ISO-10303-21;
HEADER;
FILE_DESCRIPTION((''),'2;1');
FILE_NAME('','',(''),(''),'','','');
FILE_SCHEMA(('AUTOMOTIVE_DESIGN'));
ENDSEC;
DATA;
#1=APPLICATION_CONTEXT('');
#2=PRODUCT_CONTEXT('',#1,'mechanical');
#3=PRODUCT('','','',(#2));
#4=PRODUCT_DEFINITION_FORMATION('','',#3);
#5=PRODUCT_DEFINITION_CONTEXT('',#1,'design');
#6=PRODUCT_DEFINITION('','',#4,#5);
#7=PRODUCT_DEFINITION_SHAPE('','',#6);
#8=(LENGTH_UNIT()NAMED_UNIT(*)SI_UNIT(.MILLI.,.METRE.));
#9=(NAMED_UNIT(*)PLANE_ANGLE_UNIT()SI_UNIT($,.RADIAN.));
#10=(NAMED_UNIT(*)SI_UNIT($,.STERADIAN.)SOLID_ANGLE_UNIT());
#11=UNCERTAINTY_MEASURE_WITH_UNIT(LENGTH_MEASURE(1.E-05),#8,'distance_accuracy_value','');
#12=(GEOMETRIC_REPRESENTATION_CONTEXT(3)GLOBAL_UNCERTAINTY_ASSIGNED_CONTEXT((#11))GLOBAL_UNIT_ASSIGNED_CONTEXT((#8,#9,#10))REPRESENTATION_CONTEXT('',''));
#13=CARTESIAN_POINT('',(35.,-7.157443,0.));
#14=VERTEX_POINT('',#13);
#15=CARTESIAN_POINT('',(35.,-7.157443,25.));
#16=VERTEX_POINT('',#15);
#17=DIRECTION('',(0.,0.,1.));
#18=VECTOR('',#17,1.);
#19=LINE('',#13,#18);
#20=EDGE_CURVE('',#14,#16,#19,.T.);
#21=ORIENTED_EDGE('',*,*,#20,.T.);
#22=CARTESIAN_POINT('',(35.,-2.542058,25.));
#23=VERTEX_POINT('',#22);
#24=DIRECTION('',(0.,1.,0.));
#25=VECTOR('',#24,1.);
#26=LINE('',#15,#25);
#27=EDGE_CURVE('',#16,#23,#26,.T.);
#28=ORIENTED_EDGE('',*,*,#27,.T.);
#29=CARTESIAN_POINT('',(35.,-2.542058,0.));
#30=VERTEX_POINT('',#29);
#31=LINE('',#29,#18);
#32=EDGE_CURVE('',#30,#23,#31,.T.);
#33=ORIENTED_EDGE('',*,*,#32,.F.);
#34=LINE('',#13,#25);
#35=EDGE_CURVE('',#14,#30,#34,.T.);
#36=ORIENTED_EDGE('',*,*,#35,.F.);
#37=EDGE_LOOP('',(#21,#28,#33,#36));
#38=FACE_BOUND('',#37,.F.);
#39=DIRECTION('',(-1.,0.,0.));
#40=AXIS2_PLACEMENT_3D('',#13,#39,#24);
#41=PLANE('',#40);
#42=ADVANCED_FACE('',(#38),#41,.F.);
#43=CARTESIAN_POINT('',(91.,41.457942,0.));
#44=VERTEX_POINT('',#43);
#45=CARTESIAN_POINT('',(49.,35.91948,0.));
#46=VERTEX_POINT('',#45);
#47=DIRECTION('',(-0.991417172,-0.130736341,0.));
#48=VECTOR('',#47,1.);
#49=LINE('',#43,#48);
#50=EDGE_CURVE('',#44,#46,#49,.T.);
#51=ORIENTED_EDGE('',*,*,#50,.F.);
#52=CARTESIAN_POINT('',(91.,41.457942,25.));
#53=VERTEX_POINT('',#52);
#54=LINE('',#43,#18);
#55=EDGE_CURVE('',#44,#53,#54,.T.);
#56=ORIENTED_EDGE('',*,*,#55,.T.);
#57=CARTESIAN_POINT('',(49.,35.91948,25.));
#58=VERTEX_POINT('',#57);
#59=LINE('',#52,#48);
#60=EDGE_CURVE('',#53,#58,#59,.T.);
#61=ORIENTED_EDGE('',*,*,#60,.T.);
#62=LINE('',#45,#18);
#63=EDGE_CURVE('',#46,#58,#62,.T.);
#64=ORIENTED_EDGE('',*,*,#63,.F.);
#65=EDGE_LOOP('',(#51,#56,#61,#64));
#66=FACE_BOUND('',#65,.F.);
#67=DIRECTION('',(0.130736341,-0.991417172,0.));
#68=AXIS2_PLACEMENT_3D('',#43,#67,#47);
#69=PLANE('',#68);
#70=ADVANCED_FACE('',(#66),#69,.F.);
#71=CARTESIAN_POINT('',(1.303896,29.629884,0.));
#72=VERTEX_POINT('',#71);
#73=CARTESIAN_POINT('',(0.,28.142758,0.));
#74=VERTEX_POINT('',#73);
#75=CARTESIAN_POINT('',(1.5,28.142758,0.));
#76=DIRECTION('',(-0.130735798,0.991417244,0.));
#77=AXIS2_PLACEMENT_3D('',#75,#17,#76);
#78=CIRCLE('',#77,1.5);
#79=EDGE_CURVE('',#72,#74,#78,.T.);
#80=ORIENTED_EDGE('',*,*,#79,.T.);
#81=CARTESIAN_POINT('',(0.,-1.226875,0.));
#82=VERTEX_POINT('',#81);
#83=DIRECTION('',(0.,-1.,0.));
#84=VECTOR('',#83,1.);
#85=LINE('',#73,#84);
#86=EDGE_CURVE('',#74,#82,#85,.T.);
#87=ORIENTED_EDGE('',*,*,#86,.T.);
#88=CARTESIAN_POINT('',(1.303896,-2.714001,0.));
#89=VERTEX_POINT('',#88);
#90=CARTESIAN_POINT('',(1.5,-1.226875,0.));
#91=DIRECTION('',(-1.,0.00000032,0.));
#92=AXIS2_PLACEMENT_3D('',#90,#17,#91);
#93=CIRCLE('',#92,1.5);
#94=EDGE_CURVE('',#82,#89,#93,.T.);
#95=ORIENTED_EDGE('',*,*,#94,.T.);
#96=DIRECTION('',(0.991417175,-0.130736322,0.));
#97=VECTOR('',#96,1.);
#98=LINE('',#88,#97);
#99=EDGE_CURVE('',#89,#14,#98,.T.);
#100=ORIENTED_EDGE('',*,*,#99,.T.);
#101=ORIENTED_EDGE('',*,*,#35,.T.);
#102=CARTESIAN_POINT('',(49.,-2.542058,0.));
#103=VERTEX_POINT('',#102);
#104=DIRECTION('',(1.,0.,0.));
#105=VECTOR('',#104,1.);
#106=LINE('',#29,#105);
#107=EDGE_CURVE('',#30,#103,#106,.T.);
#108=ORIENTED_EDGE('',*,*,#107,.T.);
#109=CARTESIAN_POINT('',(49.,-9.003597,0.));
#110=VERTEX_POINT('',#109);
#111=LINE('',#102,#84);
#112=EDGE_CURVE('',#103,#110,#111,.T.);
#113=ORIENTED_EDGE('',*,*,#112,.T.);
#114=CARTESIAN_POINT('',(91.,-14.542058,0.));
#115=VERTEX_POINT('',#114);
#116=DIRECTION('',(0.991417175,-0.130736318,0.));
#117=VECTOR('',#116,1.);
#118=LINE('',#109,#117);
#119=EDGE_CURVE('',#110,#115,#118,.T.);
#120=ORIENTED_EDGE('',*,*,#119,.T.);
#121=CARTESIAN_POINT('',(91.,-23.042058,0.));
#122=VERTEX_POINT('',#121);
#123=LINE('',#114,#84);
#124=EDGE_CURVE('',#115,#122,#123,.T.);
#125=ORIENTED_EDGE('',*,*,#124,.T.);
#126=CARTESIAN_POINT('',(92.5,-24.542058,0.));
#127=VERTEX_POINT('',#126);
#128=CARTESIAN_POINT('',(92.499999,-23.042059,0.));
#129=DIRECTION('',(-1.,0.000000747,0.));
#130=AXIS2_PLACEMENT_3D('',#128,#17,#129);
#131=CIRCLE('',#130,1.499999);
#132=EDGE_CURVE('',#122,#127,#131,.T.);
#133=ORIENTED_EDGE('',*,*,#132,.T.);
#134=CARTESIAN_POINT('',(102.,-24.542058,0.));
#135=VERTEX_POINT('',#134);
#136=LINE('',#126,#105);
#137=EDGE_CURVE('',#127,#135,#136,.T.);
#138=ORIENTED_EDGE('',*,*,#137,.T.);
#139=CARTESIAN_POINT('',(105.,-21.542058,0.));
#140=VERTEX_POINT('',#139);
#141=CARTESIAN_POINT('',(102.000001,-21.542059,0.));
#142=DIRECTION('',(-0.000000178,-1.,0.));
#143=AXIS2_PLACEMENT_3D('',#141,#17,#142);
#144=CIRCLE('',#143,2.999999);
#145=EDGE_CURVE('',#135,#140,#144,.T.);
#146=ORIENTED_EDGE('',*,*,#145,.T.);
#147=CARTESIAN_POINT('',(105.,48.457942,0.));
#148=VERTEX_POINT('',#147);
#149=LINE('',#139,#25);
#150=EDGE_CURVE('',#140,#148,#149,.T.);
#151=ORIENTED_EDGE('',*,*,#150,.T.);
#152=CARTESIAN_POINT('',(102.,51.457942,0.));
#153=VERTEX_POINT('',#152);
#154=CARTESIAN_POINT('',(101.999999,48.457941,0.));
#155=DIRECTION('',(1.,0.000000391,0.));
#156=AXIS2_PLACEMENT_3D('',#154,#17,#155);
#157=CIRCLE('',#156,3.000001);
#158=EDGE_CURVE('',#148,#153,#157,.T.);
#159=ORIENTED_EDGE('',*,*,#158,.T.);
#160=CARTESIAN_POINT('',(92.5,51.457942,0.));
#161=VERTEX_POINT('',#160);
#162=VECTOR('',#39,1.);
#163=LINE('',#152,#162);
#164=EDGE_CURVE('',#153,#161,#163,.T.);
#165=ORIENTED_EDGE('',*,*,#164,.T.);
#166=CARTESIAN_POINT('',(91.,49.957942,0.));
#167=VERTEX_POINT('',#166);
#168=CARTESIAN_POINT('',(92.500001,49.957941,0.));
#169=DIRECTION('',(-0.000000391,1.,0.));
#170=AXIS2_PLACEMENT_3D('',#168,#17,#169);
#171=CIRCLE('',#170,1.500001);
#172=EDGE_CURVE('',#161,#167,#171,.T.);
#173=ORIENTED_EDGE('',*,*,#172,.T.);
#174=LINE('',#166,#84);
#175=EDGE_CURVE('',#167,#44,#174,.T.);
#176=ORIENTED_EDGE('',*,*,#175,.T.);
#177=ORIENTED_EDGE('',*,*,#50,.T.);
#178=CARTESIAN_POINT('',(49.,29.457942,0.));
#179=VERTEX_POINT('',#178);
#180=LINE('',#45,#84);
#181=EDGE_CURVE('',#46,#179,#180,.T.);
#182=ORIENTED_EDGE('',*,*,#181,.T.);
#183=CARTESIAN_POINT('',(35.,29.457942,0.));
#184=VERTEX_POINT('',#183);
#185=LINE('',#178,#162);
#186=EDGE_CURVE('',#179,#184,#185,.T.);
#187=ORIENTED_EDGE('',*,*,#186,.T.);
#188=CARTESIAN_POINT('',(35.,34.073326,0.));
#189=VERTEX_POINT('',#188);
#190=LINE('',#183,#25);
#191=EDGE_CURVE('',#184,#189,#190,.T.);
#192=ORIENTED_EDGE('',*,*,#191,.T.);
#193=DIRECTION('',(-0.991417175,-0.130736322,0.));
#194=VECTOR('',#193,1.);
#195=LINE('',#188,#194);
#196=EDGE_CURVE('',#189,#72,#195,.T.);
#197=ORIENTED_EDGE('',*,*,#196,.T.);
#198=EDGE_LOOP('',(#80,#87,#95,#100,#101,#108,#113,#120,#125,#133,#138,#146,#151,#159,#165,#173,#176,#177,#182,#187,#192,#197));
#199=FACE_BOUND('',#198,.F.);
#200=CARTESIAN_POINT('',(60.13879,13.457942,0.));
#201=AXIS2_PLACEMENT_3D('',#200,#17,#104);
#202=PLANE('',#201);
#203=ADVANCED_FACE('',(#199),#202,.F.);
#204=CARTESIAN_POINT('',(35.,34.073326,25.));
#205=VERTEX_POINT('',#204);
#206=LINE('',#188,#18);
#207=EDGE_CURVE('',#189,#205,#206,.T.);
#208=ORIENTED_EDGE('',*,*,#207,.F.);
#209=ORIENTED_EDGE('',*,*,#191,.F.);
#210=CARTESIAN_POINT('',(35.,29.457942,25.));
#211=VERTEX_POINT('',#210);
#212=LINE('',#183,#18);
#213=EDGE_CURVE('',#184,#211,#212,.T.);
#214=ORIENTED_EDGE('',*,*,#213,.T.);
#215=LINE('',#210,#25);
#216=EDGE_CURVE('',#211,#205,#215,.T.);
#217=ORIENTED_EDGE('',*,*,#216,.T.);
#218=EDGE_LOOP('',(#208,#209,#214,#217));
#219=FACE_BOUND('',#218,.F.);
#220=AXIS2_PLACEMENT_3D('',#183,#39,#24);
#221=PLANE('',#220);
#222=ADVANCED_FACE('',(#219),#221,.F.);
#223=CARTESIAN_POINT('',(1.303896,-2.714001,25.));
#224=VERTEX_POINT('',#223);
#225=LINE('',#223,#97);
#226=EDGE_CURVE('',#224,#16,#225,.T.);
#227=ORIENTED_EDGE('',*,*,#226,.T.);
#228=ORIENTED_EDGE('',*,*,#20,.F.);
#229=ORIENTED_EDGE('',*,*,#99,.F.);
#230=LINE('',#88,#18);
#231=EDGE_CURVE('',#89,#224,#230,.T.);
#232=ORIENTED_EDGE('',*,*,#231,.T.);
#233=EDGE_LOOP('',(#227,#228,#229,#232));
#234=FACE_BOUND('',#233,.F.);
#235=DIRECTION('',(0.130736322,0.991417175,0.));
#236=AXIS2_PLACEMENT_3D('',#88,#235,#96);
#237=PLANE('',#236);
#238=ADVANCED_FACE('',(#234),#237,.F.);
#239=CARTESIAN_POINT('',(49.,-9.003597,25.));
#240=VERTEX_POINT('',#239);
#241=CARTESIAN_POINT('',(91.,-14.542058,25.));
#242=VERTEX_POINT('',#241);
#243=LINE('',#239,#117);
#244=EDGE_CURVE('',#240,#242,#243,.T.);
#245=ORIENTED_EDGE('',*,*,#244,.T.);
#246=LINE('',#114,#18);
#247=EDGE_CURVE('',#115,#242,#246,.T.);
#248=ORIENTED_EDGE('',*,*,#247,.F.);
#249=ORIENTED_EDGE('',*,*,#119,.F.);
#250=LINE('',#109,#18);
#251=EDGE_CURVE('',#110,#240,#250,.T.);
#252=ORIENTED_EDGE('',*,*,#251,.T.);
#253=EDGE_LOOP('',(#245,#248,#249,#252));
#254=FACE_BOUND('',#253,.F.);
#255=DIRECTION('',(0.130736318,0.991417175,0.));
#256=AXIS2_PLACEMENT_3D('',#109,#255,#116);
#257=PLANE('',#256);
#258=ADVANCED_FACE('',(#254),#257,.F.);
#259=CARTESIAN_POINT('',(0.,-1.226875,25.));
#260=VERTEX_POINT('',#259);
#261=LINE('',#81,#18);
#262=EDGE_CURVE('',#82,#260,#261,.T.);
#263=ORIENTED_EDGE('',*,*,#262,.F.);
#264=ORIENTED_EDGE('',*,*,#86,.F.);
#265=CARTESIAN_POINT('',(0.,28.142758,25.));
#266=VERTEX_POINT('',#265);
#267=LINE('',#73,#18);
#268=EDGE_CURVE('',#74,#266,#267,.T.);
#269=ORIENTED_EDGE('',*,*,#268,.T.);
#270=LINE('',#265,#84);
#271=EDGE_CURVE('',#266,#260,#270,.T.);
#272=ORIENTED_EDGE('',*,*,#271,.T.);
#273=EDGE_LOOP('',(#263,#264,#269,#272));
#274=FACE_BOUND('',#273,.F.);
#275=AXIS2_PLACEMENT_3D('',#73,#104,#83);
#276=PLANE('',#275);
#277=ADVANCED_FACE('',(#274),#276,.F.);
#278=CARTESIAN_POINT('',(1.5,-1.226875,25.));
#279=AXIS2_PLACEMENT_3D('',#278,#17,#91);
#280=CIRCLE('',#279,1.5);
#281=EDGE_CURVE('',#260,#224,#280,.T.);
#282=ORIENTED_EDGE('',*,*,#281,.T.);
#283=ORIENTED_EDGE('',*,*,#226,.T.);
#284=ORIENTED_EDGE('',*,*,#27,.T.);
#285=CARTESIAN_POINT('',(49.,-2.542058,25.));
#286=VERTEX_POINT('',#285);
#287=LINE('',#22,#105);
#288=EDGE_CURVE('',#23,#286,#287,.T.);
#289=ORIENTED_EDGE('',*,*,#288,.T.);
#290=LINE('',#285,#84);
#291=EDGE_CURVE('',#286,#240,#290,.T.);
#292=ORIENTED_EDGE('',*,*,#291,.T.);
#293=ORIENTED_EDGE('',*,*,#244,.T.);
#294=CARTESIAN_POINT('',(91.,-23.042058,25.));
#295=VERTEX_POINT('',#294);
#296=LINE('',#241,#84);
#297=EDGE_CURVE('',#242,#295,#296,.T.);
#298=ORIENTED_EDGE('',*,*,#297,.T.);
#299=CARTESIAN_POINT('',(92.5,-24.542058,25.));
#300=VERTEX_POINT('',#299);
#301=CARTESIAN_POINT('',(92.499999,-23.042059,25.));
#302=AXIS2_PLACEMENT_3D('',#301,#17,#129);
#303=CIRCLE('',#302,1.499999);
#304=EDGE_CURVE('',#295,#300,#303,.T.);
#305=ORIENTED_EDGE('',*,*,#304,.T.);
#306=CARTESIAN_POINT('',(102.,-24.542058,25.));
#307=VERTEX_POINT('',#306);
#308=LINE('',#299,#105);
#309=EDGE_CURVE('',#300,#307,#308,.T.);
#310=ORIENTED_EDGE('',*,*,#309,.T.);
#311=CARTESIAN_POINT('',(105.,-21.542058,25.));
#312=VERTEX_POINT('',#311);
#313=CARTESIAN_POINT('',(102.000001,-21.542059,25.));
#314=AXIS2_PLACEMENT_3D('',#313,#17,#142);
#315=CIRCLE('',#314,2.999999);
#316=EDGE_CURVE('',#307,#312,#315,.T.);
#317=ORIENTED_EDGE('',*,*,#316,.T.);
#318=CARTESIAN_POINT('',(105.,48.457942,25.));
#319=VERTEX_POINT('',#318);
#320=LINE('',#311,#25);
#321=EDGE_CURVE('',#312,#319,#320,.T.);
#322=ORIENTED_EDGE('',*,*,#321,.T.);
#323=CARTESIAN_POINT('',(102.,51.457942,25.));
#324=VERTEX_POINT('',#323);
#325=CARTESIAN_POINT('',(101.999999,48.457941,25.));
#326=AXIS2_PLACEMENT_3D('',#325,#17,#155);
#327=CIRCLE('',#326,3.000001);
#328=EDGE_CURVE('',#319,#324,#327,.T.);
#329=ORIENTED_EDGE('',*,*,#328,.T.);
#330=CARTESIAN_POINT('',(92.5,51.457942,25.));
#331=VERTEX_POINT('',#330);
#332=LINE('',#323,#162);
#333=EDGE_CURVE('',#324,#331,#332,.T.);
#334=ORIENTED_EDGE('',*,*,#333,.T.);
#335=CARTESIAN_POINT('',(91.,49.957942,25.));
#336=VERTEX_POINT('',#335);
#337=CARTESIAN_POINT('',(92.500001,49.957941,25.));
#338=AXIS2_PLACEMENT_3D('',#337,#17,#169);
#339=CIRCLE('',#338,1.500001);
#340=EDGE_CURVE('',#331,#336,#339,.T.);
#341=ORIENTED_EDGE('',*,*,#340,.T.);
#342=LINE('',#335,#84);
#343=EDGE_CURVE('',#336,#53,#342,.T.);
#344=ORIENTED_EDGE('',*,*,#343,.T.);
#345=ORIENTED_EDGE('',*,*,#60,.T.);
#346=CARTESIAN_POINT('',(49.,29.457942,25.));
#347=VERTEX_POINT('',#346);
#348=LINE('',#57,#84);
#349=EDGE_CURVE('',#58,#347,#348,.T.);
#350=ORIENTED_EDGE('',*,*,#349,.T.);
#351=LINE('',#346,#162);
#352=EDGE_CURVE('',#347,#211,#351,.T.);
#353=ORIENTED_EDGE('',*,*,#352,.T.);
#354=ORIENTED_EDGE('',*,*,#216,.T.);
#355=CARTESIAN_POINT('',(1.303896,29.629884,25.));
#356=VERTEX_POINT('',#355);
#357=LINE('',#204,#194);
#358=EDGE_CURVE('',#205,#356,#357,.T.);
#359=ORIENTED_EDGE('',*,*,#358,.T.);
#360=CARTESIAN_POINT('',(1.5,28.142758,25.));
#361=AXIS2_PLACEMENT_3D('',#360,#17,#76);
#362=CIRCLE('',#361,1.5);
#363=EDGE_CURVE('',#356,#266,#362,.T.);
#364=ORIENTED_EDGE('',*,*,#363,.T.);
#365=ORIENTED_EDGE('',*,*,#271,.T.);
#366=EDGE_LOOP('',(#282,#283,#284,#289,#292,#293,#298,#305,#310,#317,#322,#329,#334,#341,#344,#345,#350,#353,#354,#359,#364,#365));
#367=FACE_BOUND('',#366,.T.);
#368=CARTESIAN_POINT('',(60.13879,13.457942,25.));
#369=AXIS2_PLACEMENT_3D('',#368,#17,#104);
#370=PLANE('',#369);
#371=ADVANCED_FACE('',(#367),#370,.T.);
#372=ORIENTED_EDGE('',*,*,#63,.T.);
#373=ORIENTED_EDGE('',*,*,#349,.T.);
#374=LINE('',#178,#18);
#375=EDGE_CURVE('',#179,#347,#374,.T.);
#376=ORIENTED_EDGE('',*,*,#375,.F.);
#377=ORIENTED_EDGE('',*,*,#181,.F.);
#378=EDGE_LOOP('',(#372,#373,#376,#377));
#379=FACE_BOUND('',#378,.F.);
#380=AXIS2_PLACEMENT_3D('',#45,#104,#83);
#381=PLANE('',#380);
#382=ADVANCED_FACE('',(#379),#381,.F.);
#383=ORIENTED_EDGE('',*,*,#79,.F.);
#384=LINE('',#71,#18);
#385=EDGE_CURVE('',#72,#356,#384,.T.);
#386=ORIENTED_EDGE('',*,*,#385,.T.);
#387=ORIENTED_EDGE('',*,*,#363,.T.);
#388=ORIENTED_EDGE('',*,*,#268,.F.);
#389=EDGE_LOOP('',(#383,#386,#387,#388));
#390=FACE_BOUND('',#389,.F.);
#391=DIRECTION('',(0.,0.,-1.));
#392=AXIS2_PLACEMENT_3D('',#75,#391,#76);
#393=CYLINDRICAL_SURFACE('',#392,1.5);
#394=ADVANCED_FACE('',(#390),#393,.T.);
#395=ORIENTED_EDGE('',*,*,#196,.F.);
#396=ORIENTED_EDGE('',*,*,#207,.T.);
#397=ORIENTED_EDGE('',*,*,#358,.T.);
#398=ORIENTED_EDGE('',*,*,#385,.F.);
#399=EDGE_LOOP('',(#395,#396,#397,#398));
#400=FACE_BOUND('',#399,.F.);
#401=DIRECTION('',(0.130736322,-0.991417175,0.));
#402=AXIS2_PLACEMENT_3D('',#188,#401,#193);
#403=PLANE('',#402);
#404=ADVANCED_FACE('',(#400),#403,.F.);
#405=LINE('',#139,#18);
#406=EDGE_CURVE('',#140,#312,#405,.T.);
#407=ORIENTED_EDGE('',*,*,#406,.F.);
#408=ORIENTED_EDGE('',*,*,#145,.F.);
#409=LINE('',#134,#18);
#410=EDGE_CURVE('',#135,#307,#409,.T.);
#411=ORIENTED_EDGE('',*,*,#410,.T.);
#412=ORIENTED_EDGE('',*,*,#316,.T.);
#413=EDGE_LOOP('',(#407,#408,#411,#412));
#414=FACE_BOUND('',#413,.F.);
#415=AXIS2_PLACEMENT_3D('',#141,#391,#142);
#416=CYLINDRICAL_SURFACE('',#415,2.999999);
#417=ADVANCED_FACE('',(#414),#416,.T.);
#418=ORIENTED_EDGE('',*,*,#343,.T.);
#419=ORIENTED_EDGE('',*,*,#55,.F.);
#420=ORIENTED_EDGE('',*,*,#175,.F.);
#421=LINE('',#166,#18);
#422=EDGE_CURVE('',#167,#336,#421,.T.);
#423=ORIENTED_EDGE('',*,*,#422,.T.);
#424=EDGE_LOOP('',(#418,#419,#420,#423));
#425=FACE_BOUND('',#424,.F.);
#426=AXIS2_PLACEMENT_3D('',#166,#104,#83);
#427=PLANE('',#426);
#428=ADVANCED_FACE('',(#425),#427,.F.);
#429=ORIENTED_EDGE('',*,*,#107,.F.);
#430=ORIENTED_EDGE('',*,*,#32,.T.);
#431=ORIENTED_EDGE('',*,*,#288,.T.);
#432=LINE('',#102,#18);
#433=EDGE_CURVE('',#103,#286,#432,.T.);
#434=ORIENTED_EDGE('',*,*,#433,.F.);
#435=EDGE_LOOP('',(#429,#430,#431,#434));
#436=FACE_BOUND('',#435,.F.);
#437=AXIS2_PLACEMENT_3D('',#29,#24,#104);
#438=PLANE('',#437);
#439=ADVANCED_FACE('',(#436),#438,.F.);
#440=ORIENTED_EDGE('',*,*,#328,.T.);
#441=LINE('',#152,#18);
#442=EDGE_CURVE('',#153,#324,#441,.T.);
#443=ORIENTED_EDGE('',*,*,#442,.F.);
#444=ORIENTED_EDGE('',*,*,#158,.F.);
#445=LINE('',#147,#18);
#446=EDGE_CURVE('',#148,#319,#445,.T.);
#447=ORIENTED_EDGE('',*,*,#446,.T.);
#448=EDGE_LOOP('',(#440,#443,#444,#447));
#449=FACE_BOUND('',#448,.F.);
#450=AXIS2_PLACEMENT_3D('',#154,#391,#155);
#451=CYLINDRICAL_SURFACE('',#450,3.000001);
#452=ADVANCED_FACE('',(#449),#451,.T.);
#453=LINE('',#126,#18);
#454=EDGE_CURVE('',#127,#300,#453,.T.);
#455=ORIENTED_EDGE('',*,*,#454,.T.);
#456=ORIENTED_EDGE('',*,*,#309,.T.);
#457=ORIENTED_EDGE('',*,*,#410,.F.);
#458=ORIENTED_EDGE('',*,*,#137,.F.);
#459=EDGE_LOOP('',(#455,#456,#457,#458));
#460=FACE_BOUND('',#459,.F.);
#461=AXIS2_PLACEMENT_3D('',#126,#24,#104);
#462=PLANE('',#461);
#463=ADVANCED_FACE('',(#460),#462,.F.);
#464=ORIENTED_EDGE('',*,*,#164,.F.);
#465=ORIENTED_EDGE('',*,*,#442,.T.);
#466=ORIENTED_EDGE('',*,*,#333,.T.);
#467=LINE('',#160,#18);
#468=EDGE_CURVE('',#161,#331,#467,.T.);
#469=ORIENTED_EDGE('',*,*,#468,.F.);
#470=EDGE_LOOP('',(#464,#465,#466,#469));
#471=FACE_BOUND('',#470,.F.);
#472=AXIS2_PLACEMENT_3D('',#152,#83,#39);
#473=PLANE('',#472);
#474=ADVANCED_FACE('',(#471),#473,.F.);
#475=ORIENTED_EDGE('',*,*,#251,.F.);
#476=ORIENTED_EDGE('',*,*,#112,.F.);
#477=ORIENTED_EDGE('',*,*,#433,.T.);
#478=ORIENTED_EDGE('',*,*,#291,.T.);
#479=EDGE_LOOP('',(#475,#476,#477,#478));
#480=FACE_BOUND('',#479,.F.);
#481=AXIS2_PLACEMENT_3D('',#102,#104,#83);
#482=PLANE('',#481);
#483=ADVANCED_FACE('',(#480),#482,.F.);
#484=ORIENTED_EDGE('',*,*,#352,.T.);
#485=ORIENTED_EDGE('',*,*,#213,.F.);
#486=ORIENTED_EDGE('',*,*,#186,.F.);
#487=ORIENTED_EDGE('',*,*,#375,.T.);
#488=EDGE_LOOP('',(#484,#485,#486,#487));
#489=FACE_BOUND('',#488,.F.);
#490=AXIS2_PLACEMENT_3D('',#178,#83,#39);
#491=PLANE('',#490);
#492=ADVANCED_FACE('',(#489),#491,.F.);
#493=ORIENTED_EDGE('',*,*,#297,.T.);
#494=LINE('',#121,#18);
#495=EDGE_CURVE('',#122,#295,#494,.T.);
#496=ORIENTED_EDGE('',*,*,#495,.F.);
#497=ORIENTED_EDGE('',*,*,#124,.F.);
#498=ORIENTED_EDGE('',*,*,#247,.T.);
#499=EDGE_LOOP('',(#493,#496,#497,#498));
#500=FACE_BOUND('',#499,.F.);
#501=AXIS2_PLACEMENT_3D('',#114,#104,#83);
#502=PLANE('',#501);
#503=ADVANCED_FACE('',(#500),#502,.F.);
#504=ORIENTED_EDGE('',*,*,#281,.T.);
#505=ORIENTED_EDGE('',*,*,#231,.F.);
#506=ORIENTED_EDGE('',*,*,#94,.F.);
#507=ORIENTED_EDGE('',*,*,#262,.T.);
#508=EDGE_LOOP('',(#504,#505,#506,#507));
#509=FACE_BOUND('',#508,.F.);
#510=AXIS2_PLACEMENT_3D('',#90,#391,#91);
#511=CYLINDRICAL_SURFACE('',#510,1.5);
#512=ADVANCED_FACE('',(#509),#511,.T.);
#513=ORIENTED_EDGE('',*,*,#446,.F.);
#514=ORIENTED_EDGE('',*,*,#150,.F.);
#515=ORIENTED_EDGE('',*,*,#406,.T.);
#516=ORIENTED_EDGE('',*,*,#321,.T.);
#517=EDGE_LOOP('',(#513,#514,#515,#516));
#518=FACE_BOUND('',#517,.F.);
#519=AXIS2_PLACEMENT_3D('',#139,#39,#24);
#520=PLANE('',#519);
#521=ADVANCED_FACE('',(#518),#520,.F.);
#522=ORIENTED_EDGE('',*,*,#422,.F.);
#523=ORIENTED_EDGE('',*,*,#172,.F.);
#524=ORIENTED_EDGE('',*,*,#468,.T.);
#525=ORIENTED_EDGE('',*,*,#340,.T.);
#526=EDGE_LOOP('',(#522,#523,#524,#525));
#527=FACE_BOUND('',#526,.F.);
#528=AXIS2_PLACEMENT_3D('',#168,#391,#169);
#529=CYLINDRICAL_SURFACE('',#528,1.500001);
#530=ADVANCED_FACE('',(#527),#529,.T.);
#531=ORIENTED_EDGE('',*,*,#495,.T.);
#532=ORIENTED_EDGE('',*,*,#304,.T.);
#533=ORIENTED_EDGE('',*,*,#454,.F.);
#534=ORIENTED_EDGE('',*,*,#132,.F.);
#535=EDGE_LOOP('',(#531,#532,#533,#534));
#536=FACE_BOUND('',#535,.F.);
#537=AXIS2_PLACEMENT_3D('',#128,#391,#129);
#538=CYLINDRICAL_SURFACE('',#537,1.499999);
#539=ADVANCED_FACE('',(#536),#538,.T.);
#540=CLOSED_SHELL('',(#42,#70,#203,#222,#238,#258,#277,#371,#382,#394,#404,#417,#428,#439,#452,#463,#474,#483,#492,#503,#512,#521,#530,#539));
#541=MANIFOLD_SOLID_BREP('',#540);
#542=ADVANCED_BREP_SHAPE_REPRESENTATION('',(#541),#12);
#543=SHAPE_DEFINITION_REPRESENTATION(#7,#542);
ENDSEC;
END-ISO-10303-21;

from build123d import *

# Parameters (mm, degrees)
F1_DEPTH = 25


with BuildPart() as f1:
    # F0 (on Top) → F1 (new body)
    with BuildSketch(Plane.XY):
        with BuildLine():
            Line((102, 51.457942), (92.5, 51.457942))
            ThreePointArc((92.5, 51.457942), (91.43934, 51.018602), (91, 49.957942))
            Line((91, 49.957942), (91, 41.457942))
            Line((91, 41.457942), (49, 35.91948))
            Line((49, 35.91948), (49, 29.457942))
            Line((49, 29.457942), (35, 29.457942))
            Line((35, 29.457942), (35, 34.073326))
            Line((35, 34.073326), (1.303896, 29.629884))
            ThreePointArc((1.303896, 29.629884), (0.372135, 29.131657), (0, 28.142758))
            Line((0, 28.142758), (0, -1.226875))
            ThreePointArc((0, -1.226875), (0.372135, -2.215774), (1.303896, -2.714001))
            Line((1.303896, -2.714001), (35, -7.157443))
            Line((35, -7.157443), (35, -2.542058))
            Line((35, -2.542058), (49, -2.542058))
            Line((49, -2.542058), (49, -9.003597))
            Line((49, -9.003597), (91, -14.542058))
            Line((91, -14.542058), (91, -23.042058))
            ThreePointArc((91, -23.042058), (91.43934, -24.102719), (92.5, -24.542058))
            Line((92.5, -24.542058), (102, -24.542058))
            ThreePointArc((102, -24.542058), (104.12132, -23.663379), (105, -21.542058))
            Line((105, -21.542058), (105, 48.457942))
            ThreePointArc((105, 48.457942), (104.12132, 50.579262), (102, 51.457942))
        make_face()
    extrude(amount=F1_DEPTH)


solid = f1.part
